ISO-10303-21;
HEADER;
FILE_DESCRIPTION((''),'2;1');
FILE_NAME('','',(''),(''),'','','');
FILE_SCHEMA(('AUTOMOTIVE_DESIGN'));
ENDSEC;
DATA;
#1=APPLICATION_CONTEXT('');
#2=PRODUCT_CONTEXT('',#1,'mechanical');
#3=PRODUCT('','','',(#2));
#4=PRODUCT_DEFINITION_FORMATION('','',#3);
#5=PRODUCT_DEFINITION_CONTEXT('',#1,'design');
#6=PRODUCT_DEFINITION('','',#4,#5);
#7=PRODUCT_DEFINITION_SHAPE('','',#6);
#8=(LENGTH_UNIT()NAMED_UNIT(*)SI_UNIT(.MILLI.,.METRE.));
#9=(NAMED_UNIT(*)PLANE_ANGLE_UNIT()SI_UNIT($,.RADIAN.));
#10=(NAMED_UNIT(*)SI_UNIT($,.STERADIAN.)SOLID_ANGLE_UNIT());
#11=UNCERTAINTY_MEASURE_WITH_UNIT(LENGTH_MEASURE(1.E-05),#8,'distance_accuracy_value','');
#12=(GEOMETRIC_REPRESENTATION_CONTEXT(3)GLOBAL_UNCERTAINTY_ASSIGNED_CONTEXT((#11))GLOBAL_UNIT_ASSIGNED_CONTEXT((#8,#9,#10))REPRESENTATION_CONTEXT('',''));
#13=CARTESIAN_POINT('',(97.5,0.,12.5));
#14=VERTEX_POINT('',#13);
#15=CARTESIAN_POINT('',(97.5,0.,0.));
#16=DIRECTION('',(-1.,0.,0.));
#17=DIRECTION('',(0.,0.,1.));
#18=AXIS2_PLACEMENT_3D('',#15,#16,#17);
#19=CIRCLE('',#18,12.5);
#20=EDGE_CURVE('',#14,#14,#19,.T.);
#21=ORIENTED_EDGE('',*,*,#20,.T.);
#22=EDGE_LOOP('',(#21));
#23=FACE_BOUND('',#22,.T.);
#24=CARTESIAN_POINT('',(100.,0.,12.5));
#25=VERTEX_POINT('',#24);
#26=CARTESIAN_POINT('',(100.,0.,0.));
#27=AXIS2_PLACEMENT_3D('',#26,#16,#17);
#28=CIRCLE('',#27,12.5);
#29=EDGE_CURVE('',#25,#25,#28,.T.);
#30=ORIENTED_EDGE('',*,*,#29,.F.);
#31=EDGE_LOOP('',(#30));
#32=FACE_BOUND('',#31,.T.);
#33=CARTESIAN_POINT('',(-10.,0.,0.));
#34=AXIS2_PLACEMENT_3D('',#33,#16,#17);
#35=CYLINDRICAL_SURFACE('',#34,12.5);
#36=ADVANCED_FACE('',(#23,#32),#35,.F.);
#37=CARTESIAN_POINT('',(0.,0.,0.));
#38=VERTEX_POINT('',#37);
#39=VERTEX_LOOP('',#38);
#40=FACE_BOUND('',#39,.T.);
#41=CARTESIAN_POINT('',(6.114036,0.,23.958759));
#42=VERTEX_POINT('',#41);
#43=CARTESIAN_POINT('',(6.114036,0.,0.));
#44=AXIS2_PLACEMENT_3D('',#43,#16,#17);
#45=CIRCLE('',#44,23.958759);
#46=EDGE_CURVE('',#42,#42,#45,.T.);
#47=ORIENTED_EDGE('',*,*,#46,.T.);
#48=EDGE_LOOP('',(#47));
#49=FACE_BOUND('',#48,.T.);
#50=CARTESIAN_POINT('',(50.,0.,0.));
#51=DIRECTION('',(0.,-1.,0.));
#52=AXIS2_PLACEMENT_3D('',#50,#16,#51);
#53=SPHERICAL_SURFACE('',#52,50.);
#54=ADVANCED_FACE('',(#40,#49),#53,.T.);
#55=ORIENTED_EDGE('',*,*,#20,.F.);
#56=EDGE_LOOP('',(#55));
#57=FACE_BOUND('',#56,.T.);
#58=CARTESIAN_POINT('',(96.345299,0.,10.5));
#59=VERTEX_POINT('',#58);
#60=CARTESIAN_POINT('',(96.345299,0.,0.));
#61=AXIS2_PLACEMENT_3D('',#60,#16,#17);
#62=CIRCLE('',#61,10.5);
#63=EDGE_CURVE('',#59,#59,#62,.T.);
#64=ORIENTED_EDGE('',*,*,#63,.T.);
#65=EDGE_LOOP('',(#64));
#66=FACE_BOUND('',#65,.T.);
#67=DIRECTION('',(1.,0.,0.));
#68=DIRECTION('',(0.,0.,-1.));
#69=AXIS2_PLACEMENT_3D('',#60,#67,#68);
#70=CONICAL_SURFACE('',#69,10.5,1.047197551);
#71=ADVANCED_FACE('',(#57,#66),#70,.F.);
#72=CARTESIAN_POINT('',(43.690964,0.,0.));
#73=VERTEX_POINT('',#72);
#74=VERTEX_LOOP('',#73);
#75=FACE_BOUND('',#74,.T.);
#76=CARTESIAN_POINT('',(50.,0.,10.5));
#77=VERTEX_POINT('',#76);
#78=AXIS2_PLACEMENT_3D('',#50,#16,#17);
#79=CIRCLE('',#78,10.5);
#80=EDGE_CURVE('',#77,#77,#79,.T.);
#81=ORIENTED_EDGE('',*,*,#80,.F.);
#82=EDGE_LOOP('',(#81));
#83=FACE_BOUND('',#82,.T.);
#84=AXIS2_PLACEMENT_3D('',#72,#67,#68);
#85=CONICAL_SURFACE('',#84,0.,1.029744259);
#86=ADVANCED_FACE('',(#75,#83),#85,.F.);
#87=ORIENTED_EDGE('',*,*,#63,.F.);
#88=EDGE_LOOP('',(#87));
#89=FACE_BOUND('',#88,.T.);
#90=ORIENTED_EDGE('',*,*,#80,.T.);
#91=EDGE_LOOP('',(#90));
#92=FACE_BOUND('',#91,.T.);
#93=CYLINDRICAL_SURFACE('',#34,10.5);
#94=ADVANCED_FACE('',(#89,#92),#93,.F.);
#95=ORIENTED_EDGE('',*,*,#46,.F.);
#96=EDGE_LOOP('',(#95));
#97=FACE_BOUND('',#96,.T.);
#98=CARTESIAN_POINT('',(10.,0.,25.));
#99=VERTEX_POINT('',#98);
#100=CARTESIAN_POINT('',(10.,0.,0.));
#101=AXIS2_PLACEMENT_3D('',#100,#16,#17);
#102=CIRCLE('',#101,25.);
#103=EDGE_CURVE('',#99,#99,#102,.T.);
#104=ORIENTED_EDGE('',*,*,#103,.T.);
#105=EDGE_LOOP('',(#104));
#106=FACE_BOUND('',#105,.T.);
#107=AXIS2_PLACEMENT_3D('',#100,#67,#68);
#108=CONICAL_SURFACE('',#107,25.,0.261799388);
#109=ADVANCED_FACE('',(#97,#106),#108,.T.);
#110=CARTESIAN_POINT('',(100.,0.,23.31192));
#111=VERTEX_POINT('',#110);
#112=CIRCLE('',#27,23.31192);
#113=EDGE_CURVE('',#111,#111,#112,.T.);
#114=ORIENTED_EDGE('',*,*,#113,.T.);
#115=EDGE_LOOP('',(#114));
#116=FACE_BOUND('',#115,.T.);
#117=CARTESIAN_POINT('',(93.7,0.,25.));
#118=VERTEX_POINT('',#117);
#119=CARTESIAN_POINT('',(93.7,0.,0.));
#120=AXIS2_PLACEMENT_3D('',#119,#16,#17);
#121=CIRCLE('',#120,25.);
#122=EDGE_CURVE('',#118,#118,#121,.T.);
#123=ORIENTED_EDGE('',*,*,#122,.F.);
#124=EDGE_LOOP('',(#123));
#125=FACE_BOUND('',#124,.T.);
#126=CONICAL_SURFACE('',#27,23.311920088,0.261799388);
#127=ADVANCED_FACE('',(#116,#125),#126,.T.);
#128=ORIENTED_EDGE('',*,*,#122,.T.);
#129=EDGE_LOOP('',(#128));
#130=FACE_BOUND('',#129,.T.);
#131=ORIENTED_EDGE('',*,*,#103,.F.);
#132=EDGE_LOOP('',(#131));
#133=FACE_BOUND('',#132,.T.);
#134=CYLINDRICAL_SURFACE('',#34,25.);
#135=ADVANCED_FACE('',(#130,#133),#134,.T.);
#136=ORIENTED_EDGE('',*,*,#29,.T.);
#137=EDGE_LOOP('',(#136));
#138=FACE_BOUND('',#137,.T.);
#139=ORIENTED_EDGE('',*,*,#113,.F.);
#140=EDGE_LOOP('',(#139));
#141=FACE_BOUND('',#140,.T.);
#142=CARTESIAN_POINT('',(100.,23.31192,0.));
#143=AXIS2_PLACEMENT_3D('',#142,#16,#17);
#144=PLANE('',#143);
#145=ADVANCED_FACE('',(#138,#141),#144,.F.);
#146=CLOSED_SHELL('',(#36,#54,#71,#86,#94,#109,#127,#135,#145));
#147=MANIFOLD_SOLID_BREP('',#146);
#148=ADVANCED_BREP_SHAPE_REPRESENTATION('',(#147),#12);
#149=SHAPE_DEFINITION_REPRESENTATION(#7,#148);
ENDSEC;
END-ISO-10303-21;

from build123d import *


with BuildPart() as part:
    # Sketch1 → Base-Revolve (revolve)
    with BuildSketch(Plane.XY, mode=Mode.PRIVATE) as base_revolve_sk:
        Polygon((0, 0), (0, 22.320508076), (10, 25), (93.7, 25), (100, 23.311920088), (100, 12.5), (97.5, 12.5), (96.345299462, 10.5), (50, 10.5), (43.6909635, 0), align=None)
    revolve(base_revolve_sk.sketch.rotate(Axis((-10, 0, 0), (1, 0, 0)), 90), axis=Axis((-10, 0, 0), (1, 0, 0)))

    # Sketch2 → TypeA (revolve, cut)
    with BuildSketch(Plane.XY, mode=Mode.PRIVATE) as typea_sk:
        with BuildLine():
            Line((6.114035641, 23.958758988), (6.114035641, 30))
            Line((6.114035641, 30), (-5, 30))
            Line((-5, 30), (-5, 0))
            Line((-5, 0), (0, 0))
            ThreePointArc((0, 0), (1.552615045, 12.363288034), (6.114035641, 23.958758988))
        make_face()
    revolve(typea_sk.sketch.rotate(Axis((0, 0, 0), (1, 0, 0)), 180), axis=Axis((0, 0, 0), (1, 0, 0)), mode=Mode.SUBTRACT)


solid = part.part
